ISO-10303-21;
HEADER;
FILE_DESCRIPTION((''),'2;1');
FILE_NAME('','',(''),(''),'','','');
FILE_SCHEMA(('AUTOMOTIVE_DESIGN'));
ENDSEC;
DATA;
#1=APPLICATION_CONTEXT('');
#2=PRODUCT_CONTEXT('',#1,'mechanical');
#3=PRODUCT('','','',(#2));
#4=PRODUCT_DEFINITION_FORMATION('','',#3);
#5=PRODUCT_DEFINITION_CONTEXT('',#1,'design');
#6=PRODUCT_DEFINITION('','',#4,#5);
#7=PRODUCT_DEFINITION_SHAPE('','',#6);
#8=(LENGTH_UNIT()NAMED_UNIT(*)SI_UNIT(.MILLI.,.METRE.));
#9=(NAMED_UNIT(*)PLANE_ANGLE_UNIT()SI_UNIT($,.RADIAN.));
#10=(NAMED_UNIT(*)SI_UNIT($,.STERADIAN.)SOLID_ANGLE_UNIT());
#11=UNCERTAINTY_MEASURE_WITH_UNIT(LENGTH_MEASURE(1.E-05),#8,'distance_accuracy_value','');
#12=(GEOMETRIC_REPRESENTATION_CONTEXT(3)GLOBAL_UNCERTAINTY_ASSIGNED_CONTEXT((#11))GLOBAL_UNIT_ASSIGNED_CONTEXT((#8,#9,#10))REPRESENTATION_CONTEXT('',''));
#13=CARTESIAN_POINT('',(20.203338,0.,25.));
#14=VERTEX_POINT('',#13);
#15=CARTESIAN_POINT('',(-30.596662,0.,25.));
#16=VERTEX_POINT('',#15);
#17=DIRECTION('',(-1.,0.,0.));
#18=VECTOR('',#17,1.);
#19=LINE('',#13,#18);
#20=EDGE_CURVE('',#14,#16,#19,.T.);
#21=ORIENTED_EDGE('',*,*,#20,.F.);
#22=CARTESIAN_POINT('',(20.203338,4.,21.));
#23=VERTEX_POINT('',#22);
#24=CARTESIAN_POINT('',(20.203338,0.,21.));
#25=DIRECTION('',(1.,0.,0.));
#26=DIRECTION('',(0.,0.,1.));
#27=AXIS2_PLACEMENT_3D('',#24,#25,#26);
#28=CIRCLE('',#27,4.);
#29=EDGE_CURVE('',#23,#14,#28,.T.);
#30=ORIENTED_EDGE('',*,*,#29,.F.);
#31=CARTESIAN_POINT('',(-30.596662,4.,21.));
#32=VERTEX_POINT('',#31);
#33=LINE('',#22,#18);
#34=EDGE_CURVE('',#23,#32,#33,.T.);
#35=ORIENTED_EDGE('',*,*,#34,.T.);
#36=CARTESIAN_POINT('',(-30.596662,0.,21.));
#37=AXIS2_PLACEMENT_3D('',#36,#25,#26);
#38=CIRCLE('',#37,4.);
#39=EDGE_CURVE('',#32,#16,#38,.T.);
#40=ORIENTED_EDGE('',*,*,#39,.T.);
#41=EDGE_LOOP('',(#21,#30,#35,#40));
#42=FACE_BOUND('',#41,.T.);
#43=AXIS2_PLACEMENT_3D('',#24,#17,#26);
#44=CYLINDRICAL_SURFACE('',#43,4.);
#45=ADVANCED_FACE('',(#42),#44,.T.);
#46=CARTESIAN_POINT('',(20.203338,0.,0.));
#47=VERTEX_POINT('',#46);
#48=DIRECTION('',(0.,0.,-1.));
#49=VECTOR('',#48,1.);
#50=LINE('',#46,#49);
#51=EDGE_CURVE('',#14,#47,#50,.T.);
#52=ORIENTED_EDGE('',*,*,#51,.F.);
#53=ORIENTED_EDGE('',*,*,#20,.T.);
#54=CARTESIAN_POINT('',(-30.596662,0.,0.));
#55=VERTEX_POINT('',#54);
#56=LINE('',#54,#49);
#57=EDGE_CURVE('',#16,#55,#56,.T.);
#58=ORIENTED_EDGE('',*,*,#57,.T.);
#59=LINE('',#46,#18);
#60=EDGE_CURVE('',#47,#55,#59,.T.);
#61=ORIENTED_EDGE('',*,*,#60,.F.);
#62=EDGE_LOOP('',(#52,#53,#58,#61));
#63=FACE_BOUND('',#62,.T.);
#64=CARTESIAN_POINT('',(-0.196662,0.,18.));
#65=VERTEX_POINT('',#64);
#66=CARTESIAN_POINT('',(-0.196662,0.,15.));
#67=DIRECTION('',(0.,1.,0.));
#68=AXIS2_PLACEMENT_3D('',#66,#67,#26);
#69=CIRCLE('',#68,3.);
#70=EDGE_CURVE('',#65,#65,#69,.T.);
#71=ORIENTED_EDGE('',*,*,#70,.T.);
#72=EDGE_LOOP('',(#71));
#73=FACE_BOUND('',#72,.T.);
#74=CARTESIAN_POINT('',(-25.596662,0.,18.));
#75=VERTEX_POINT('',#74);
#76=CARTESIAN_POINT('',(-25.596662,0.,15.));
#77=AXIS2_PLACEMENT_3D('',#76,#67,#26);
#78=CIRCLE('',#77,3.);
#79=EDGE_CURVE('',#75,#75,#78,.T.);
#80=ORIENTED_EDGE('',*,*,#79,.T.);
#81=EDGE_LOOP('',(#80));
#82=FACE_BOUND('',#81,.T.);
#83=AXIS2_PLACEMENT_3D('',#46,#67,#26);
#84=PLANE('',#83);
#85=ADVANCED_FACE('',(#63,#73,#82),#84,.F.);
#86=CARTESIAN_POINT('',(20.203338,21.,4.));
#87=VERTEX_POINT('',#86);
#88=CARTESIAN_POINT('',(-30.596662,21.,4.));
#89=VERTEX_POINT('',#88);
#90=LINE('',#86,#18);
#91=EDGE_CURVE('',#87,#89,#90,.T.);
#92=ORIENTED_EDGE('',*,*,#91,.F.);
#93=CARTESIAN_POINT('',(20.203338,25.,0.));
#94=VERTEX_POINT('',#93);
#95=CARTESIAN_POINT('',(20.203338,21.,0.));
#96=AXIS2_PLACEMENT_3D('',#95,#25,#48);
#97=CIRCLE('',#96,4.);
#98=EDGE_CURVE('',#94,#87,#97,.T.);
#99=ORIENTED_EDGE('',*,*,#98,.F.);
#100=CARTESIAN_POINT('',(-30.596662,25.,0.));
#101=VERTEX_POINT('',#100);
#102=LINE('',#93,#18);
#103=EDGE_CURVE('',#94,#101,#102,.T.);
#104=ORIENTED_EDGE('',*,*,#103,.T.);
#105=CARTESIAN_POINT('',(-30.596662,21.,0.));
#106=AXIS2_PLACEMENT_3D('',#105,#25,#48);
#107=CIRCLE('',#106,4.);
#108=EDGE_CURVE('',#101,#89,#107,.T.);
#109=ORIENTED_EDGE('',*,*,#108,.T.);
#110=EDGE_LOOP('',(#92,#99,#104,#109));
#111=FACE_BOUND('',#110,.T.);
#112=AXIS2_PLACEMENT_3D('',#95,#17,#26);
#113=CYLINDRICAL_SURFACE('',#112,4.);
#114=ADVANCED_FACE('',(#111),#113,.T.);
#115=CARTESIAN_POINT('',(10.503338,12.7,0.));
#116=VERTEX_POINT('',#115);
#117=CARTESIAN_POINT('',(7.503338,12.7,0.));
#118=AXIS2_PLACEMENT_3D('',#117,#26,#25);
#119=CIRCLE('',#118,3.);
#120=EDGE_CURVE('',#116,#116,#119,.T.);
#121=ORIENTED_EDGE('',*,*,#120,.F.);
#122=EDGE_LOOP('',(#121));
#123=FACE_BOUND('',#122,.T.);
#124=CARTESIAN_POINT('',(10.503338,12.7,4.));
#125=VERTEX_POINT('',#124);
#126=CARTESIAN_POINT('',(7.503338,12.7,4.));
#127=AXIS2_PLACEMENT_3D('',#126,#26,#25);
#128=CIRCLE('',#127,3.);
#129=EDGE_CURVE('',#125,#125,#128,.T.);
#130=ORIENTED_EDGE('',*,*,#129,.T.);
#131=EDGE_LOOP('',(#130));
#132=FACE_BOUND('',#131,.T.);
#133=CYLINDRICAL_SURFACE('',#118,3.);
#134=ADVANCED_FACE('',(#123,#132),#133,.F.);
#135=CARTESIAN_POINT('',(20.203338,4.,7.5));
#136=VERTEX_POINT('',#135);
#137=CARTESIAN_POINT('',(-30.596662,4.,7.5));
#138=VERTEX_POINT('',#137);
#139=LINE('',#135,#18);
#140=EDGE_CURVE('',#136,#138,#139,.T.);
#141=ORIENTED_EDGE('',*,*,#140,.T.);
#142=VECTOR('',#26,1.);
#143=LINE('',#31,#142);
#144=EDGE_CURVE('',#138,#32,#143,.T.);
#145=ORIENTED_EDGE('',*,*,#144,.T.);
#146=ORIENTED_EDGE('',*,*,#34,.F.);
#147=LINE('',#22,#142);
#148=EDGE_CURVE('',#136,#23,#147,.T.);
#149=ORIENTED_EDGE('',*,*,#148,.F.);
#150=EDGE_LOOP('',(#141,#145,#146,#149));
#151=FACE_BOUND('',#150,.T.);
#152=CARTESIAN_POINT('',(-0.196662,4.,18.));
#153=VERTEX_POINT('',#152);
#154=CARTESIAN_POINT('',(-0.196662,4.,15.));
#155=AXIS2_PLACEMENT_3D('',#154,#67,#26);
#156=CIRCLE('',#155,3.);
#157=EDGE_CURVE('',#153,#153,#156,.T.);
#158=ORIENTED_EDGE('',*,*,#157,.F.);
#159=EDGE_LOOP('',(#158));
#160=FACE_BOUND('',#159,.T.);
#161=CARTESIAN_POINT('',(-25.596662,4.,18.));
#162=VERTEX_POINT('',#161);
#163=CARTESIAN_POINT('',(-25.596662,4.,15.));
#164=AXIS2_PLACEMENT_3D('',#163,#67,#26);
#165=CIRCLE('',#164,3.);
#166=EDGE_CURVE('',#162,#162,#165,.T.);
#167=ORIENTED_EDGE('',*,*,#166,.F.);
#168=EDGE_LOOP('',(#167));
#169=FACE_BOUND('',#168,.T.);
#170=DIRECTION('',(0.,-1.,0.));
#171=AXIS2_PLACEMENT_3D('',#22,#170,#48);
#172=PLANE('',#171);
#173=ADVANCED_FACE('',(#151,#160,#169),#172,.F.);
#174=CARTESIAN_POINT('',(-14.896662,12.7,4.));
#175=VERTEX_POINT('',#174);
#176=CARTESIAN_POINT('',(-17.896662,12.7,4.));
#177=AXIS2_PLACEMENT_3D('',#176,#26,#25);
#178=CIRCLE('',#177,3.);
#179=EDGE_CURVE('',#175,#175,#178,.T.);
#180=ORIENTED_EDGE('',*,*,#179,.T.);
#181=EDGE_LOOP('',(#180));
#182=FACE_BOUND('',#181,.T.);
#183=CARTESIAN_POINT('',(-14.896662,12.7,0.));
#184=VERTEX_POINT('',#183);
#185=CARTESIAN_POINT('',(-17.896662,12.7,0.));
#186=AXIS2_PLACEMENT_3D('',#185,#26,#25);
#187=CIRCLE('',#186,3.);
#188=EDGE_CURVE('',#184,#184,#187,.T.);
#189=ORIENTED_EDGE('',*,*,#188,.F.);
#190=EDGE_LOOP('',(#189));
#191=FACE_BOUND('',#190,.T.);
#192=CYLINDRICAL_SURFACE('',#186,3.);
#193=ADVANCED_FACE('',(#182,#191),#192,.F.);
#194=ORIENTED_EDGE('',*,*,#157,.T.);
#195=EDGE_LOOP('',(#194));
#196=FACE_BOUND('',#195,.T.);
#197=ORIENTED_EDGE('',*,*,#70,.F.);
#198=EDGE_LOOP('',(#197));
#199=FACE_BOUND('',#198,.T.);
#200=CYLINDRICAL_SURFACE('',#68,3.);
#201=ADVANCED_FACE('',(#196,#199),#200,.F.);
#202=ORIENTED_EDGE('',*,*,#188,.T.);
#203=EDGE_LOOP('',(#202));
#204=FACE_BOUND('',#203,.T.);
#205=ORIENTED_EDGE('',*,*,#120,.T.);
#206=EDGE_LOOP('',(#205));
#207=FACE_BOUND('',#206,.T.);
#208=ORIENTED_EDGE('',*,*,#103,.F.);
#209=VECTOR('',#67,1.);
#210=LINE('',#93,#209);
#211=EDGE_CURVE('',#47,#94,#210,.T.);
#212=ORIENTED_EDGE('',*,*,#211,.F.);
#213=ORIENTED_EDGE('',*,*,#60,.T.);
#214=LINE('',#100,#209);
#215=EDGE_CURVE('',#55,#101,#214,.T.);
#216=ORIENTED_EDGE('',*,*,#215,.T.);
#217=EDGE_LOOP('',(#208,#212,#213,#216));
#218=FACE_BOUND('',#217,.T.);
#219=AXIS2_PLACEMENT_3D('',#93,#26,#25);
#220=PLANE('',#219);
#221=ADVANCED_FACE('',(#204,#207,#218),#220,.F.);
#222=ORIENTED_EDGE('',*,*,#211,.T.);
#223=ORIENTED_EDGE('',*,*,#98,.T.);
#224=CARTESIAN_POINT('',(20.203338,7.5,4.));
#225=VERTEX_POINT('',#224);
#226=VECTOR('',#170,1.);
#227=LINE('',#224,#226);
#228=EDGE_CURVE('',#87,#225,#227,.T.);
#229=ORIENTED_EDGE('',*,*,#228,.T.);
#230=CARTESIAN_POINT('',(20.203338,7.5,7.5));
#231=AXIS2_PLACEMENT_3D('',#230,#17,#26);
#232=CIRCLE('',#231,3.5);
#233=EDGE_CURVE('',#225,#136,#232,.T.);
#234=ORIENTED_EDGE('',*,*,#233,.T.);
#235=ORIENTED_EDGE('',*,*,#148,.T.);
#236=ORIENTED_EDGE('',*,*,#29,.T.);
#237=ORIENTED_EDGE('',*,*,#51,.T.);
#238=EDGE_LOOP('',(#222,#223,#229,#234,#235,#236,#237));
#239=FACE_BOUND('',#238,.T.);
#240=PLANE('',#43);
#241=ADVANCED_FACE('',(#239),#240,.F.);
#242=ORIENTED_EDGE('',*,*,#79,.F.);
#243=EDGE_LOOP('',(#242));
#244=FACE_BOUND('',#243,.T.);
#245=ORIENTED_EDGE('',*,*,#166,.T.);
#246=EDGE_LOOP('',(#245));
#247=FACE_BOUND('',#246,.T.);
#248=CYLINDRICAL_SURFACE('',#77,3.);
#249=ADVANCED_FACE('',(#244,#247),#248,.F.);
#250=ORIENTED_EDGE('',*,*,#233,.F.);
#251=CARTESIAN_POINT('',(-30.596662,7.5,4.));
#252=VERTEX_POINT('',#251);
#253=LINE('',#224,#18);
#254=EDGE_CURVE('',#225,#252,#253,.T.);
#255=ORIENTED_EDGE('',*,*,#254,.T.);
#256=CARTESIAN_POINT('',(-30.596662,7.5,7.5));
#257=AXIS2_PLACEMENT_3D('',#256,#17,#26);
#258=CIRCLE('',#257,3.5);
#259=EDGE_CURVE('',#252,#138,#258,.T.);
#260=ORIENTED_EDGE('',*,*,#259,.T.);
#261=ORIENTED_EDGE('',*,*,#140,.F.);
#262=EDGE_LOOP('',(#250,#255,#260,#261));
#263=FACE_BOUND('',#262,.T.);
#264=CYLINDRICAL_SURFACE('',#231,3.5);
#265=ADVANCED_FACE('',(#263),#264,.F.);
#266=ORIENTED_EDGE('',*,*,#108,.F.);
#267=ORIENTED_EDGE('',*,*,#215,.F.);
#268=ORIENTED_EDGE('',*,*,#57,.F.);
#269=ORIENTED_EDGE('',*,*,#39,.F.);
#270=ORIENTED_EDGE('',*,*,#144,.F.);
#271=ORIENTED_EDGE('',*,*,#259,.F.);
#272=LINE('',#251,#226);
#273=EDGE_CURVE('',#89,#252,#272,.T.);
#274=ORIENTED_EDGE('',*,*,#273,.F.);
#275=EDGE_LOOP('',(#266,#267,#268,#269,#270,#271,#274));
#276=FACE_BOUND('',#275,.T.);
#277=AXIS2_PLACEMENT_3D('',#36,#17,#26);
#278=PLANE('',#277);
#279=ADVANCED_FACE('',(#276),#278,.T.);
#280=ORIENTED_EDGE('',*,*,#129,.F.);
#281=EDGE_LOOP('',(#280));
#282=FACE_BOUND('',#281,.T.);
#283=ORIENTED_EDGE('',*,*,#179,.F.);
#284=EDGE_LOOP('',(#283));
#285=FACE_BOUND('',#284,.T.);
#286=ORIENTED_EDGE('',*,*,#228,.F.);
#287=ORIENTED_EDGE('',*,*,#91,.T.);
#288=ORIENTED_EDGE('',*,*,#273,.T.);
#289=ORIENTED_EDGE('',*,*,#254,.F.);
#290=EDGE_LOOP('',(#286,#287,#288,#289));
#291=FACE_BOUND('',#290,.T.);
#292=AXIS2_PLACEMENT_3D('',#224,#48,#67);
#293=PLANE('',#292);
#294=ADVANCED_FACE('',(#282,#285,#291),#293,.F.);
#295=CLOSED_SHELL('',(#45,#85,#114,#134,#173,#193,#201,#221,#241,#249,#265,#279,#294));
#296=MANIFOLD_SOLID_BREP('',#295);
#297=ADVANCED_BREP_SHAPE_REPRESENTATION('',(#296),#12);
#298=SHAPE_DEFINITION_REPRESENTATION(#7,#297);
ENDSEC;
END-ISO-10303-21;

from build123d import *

# Parameters (mm, degrees)
STRUCTURAL_MEMBER1_DEPTH = 50.8
SKETCH13_R               = 3
CUT_EXTRUDE1_DEPTH       = 45.745454998
SKETCH14_R               = 3
CUT_EXTRUDE2_DEPTH       = 45.745454998


with BuildPart() as part:
    # Sketch12 → Structural Member1 (new body)
    with BuildSketch(Plane.YZ.offset(-30.596662285)):
        with BuildLine():
            Line((0, 0), (0, 25))
            ThreePointArc((0, 25), (2.828427125, 23.828427125), (4, 21))
            Line((4, 21), (4, 7.5))
            ThreePointArc((4, 7.5), (5.025126266, 5.025126266), (7.5, 4))
            Line((7.5, 4), (21, 4))
            ThreePointArc((21, 4), (23.828427125, 2.828427125), (25, 0))
            Line((25, 0), (0, 0))
        make_face()
    extrude(amount=STRUCTURAL_MEMBER1_DEPTH)

    # Sketch13 → Cut-Extrude1 (cut, through all)
    with BuildSketch(Plane.XY.offset(4)):
        with Locations((-17.896662285, 12.7)):
            Circle(SKETCH13_R)
        with Locations((7.503337715, 12.7)):
            Circle(SKETCH13_R)
    extrude(amount=-CUT_EXTRUDE1_DEPTH, mode=Mode.SUBTRACT)

    # Sketch14 → Cut-Extrude2 (cut, through all)
    with BuildSketch(Plane(origin=(0, 4, 0), x_dir=(-1, 0, 0), z_dir=(0, 1, 0))):
        with Locations(Location((25.596662285, 15, 0), (0, 0, 90))):
            Circle(SKETCH14_R)
        with Locations(Location((0.196662285, 15, 0), (0, 0, 90))):
            Circle(SKETCH14_R)
    extrude(amount=-CUT_EXTRUDE2_DEPTH, mode=Mode.SUBTRACT)


solid = part.part
